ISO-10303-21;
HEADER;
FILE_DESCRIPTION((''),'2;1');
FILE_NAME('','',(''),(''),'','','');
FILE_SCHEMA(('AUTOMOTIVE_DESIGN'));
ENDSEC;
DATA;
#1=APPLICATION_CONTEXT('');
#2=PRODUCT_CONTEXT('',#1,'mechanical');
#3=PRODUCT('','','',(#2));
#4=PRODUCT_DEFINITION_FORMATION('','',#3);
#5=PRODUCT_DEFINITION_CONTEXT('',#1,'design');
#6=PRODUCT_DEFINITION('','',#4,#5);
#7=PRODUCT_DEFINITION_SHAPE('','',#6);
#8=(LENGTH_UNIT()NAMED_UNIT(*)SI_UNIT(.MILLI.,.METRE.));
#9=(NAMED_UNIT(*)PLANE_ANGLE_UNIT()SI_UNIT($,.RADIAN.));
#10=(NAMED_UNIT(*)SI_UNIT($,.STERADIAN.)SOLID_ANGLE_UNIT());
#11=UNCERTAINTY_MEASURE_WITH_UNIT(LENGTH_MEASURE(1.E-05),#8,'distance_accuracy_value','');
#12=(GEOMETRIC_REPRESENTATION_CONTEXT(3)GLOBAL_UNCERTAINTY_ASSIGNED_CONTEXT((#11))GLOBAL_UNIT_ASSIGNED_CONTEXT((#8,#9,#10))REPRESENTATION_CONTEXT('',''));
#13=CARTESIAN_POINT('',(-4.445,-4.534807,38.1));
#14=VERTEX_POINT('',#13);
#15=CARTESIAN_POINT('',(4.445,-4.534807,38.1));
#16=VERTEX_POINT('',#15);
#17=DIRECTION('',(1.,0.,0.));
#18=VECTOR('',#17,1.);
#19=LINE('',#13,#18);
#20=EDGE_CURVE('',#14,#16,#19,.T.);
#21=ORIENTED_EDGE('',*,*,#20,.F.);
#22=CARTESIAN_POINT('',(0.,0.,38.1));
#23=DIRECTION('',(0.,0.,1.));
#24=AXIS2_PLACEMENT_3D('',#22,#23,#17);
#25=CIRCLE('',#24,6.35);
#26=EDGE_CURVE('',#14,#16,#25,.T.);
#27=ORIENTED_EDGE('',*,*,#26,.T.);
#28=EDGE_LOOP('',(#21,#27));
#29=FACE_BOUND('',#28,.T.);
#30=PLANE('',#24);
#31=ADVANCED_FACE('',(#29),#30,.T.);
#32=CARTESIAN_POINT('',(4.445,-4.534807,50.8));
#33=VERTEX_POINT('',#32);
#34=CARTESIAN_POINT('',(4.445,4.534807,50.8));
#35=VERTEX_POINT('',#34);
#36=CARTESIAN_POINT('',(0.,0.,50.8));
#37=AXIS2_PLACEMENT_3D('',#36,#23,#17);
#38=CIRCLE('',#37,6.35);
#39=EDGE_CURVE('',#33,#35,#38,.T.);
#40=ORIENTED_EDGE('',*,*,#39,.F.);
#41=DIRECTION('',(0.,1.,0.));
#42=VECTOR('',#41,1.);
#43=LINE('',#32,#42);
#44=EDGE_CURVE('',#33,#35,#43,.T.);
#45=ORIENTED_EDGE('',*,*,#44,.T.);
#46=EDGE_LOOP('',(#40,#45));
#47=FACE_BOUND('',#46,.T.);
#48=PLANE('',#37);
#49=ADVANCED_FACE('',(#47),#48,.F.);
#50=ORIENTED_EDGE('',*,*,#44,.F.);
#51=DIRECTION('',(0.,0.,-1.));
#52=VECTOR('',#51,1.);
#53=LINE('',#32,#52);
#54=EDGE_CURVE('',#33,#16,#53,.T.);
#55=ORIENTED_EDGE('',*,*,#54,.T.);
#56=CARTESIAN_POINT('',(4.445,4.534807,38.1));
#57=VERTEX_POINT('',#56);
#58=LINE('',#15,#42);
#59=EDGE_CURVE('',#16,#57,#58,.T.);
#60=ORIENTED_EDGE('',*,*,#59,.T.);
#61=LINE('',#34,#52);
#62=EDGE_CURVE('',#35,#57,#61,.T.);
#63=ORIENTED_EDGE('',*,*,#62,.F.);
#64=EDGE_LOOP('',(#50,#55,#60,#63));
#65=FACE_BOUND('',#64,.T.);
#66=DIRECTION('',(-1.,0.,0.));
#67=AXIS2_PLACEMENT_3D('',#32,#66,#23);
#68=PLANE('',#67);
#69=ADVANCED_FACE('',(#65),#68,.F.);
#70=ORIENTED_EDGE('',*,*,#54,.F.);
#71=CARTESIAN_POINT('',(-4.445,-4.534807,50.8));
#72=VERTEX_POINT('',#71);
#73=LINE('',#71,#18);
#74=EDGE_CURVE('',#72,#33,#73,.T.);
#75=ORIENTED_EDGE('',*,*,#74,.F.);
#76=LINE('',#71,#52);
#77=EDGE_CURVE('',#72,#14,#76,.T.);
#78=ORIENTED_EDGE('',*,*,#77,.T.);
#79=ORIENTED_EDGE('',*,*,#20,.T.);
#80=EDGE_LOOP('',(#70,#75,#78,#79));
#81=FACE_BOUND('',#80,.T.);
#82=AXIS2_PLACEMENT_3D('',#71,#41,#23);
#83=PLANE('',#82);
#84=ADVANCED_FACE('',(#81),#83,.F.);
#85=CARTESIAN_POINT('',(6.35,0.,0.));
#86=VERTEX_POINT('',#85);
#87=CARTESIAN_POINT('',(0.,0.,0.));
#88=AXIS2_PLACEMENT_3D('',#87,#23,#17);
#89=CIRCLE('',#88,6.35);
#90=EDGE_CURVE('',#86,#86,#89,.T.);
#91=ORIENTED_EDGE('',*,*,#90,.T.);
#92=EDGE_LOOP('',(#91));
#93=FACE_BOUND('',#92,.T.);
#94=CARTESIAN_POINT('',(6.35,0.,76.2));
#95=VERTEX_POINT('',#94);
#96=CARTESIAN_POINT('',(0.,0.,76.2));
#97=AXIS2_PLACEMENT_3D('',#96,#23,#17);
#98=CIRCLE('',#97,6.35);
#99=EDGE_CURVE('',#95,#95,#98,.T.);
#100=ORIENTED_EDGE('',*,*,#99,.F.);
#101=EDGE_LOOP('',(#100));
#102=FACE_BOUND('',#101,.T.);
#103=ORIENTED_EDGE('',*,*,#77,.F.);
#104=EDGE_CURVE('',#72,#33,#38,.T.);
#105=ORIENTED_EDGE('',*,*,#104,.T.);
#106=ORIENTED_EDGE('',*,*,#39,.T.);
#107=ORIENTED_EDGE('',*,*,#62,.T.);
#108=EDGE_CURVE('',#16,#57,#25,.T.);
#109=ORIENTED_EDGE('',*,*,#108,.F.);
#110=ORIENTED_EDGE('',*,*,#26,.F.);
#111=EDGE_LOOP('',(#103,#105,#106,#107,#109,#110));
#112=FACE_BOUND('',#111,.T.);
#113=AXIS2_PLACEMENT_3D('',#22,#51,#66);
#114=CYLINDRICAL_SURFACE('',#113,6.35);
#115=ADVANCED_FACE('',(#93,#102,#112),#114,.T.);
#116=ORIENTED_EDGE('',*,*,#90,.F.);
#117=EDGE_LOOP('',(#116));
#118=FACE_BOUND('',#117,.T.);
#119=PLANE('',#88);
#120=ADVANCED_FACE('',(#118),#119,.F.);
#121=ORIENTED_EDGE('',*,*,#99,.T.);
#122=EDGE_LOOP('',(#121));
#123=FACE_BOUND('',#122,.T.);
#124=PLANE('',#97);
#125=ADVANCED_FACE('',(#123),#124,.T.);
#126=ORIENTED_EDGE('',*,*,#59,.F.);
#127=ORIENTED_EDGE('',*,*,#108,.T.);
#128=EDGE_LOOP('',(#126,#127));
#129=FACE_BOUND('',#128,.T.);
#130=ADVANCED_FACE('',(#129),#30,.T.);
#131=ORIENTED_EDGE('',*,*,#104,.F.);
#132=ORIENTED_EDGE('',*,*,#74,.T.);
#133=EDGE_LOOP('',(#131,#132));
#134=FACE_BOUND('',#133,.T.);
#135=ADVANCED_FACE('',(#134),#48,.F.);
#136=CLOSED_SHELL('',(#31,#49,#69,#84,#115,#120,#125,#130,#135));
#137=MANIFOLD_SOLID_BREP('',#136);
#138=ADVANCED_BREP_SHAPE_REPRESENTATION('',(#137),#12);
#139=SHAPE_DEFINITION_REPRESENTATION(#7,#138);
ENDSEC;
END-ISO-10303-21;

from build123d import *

# Parameters (mm, degrees)
SKETCH1_R           = 6.35
BOSS_EXTRUDE1_DEPTH = 38.1
BOSS_EXTRUDE2_DEPTH = 12.7
SKETCH3_R           = 6.35
BOSS_EXTRUDE3_DEPTH = 25.4


with BuildPart() as part:
    # Sketch1 → Boss-Extrude1 (new body)
    with BuildSketch(Plane.XY):
        with Locations(Location((0, 0, 0), (0, 0, 180))):
            Circle(SKETCH1_R)
    extrude(amount=BOSS_EXTRUDE1_DEPTH)

    # Sketch2 → Boss-Extrude2 (add)
    with BuildSketch(Plane.XY.offset(38.1)):
        with BuildLine():
            Line((-4.445, -4.534807052), (4.445, -4.534807052))
            Line((4.445, -4.534807052), (4.445, 4.534807052))
            ThreePointArc((4.445, 4.534807052), (-4.534807052, 4.445), (-4.445, -4.534807052))
        make_face()
    extrude(amount=BOSS_EXTRUDE2_DEPTH)

    # Sketch3 → Boss-Extrude3 (add)
    with BuildSketch(Plane.XY.offset(50.8)):
        Circle(SKETCH3_R)
    extrude(amount=BOSS_EXTRUDE3_DEPTH)


solid = part.part
